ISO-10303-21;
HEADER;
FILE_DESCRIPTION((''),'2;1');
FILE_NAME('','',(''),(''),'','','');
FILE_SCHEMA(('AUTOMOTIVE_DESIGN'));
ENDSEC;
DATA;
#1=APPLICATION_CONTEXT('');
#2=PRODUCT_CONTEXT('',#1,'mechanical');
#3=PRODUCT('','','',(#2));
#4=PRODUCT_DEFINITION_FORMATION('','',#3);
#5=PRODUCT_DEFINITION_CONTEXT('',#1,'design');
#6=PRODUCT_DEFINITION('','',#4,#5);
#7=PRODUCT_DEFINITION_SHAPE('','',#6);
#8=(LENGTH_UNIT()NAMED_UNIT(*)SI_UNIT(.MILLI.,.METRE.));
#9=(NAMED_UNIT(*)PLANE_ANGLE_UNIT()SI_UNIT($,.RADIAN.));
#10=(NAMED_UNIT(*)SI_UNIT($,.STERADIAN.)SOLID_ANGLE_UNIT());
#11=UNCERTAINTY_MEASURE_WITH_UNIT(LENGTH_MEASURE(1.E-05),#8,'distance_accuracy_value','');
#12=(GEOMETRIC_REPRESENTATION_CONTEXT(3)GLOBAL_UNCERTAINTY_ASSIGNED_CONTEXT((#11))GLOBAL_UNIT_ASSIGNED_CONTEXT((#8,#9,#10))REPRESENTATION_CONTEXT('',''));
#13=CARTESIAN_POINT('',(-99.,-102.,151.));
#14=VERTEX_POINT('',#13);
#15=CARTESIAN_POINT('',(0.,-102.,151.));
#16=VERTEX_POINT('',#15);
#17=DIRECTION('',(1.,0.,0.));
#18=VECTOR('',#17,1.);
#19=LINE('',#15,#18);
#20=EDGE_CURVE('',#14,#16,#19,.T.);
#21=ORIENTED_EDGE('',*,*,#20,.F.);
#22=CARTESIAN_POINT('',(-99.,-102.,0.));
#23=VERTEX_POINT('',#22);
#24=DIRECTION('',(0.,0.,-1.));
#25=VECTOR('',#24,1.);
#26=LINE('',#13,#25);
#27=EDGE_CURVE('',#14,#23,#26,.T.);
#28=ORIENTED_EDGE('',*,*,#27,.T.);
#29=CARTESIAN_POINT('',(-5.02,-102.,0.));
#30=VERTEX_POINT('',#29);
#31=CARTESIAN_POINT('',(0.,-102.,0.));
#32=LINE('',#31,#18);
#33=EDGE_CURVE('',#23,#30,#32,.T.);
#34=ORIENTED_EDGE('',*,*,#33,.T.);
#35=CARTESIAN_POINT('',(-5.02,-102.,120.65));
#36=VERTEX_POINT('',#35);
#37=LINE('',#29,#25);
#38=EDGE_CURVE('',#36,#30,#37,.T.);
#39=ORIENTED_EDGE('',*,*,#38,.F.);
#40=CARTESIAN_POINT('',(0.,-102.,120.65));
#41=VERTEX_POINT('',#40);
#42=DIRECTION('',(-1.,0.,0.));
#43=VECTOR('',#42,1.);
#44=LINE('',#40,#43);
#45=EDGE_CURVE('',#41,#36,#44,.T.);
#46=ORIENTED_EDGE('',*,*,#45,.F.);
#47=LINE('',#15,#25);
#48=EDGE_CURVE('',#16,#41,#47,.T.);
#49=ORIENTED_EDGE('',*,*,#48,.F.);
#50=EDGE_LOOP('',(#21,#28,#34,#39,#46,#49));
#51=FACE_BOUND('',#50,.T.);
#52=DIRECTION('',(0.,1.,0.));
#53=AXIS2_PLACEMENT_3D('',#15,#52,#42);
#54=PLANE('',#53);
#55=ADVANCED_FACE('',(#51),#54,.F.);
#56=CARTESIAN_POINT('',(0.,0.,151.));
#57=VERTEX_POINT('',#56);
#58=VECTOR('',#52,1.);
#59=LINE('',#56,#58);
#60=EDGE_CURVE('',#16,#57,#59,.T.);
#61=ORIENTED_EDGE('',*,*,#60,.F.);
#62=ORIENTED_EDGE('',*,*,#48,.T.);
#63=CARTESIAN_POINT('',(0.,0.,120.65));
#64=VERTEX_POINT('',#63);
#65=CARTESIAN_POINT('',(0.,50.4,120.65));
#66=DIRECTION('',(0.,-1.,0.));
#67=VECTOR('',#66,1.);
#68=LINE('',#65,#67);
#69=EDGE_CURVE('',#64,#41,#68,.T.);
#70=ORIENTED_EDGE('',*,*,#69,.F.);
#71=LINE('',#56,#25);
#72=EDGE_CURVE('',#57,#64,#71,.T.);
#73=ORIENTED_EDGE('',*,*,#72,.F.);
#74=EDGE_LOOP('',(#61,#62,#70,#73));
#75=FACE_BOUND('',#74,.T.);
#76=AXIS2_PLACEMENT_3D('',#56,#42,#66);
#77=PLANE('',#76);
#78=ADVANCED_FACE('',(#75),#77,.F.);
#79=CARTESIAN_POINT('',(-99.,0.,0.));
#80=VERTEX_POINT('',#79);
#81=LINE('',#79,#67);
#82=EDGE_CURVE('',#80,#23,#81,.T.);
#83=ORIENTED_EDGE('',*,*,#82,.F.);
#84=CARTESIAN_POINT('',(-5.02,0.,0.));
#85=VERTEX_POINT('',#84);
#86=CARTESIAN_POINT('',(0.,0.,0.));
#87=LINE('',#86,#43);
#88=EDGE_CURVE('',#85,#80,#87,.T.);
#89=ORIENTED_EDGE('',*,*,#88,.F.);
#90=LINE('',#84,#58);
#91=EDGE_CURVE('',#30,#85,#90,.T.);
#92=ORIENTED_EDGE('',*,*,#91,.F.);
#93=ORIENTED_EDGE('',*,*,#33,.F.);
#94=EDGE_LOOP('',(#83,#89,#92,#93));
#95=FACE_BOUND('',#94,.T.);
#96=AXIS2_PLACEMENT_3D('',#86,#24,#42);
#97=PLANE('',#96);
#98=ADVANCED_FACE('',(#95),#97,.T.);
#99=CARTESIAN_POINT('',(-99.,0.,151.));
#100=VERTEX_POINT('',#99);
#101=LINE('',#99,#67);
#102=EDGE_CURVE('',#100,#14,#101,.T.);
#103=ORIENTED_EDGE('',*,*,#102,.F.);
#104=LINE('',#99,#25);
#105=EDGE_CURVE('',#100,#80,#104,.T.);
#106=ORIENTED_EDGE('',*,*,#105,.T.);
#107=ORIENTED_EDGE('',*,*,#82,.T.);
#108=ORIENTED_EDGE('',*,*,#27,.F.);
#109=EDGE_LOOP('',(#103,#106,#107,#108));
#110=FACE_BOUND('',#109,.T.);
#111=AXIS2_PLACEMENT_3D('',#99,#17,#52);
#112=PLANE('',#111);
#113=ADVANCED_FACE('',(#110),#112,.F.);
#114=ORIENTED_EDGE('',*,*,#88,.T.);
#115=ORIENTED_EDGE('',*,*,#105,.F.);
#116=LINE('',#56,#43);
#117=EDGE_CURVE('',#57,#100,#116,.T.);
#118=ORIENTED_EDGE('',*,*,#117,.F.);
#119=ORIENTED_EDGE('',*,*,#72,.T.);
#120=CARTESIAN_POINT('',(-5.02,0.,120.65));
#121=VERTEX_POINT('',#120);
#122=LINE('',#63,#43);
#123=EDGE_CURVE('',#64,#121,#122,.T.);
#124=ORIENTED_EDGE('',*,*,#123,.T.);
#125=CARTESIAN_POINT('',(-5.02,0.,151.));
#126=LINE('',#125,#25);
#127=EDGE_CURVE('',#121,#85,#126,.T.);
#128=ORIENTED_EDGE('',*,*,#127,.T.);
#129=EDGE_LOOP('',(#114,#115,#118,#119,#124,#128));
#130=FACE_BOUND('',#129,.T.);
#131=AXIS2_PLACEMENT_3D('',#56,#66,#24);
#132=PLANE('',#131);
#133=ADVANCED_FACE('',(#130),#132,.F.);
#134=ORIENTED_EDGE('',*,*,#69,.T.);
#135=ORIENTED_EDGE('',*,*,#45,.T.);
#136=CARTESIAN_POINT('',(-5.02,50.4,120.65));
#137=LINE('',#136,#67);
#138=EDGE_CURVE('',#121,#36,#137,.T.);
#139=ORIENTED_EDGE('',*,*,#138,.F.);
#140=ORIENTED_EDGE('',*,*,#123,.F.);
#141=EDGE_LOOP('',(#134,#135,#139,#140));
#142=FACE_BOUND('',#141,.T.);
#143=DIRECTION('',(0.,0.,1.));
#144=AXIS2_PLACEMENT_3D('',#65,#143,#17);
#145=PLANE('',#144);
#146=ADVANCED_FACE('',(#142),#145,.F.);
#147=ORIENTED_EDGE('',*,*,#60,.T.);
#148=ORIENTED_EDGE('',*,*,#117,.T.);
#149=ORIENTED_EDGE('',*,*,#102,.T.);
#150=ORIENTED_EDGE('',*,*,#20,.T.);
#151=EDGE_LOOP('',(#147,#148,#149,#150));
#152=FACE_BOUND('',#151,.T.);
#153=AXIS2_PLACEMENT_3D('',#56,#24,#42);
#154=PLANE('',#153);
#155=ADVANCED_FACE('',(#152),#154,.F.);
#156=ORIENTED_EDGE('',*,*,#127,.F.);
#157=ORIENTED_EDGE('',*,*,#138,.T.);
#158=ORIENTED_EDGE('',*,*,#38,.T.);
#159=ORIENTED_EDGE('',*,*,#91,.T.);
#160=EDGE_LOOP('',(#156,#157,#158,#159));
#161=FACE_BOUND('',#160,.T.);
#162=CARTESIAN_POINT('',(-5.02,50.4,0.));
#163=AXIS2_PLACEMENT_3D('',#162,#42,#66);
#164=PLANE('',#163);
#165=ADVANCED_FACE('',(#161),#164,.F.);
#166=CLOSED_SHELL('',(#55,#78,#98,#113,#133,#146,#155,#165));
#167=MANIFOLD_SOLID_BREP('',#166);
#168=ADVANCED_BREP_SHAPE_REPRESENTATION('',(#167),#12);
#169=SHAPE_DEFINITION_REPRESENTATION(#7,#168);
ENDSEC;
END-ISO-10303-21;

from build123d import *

# Parameters (mm, degrees)
SKETCH1_W           = 99
SKETCH1_H           = 102
BOSS_EXTRUDE1_DEPTH = 151
SKETCH3_W           = 5.02
SKETCH3_H           = 120.65
CUT_EXTRUDE2_DEPTH  = 152.4


with BuildPart() as part:
    # Sketch1 → Boss-Extrude1 (new body)
    with BuildSketch(Plane.XY):
        with Locations((-49.5, -51)):
            Rectangle(SKETCH1_W, SKETCH1_H)
    extrude(amount=BOSS_EXTRUDE1_DEPTH)

    # Sketch3 → Cut-Extrude2 (cut)
    with BuildSketch(Plane.XZ.offset(102)):
        with Locations((-2.51, 60.325)):
            Rectangle(SKETCH3_W, SKETCH3_H)
    extrude(amount=-CUT_EXTRUDE2_DEPTH, mode=Mode.SUBTRACT)


solid = part.part
